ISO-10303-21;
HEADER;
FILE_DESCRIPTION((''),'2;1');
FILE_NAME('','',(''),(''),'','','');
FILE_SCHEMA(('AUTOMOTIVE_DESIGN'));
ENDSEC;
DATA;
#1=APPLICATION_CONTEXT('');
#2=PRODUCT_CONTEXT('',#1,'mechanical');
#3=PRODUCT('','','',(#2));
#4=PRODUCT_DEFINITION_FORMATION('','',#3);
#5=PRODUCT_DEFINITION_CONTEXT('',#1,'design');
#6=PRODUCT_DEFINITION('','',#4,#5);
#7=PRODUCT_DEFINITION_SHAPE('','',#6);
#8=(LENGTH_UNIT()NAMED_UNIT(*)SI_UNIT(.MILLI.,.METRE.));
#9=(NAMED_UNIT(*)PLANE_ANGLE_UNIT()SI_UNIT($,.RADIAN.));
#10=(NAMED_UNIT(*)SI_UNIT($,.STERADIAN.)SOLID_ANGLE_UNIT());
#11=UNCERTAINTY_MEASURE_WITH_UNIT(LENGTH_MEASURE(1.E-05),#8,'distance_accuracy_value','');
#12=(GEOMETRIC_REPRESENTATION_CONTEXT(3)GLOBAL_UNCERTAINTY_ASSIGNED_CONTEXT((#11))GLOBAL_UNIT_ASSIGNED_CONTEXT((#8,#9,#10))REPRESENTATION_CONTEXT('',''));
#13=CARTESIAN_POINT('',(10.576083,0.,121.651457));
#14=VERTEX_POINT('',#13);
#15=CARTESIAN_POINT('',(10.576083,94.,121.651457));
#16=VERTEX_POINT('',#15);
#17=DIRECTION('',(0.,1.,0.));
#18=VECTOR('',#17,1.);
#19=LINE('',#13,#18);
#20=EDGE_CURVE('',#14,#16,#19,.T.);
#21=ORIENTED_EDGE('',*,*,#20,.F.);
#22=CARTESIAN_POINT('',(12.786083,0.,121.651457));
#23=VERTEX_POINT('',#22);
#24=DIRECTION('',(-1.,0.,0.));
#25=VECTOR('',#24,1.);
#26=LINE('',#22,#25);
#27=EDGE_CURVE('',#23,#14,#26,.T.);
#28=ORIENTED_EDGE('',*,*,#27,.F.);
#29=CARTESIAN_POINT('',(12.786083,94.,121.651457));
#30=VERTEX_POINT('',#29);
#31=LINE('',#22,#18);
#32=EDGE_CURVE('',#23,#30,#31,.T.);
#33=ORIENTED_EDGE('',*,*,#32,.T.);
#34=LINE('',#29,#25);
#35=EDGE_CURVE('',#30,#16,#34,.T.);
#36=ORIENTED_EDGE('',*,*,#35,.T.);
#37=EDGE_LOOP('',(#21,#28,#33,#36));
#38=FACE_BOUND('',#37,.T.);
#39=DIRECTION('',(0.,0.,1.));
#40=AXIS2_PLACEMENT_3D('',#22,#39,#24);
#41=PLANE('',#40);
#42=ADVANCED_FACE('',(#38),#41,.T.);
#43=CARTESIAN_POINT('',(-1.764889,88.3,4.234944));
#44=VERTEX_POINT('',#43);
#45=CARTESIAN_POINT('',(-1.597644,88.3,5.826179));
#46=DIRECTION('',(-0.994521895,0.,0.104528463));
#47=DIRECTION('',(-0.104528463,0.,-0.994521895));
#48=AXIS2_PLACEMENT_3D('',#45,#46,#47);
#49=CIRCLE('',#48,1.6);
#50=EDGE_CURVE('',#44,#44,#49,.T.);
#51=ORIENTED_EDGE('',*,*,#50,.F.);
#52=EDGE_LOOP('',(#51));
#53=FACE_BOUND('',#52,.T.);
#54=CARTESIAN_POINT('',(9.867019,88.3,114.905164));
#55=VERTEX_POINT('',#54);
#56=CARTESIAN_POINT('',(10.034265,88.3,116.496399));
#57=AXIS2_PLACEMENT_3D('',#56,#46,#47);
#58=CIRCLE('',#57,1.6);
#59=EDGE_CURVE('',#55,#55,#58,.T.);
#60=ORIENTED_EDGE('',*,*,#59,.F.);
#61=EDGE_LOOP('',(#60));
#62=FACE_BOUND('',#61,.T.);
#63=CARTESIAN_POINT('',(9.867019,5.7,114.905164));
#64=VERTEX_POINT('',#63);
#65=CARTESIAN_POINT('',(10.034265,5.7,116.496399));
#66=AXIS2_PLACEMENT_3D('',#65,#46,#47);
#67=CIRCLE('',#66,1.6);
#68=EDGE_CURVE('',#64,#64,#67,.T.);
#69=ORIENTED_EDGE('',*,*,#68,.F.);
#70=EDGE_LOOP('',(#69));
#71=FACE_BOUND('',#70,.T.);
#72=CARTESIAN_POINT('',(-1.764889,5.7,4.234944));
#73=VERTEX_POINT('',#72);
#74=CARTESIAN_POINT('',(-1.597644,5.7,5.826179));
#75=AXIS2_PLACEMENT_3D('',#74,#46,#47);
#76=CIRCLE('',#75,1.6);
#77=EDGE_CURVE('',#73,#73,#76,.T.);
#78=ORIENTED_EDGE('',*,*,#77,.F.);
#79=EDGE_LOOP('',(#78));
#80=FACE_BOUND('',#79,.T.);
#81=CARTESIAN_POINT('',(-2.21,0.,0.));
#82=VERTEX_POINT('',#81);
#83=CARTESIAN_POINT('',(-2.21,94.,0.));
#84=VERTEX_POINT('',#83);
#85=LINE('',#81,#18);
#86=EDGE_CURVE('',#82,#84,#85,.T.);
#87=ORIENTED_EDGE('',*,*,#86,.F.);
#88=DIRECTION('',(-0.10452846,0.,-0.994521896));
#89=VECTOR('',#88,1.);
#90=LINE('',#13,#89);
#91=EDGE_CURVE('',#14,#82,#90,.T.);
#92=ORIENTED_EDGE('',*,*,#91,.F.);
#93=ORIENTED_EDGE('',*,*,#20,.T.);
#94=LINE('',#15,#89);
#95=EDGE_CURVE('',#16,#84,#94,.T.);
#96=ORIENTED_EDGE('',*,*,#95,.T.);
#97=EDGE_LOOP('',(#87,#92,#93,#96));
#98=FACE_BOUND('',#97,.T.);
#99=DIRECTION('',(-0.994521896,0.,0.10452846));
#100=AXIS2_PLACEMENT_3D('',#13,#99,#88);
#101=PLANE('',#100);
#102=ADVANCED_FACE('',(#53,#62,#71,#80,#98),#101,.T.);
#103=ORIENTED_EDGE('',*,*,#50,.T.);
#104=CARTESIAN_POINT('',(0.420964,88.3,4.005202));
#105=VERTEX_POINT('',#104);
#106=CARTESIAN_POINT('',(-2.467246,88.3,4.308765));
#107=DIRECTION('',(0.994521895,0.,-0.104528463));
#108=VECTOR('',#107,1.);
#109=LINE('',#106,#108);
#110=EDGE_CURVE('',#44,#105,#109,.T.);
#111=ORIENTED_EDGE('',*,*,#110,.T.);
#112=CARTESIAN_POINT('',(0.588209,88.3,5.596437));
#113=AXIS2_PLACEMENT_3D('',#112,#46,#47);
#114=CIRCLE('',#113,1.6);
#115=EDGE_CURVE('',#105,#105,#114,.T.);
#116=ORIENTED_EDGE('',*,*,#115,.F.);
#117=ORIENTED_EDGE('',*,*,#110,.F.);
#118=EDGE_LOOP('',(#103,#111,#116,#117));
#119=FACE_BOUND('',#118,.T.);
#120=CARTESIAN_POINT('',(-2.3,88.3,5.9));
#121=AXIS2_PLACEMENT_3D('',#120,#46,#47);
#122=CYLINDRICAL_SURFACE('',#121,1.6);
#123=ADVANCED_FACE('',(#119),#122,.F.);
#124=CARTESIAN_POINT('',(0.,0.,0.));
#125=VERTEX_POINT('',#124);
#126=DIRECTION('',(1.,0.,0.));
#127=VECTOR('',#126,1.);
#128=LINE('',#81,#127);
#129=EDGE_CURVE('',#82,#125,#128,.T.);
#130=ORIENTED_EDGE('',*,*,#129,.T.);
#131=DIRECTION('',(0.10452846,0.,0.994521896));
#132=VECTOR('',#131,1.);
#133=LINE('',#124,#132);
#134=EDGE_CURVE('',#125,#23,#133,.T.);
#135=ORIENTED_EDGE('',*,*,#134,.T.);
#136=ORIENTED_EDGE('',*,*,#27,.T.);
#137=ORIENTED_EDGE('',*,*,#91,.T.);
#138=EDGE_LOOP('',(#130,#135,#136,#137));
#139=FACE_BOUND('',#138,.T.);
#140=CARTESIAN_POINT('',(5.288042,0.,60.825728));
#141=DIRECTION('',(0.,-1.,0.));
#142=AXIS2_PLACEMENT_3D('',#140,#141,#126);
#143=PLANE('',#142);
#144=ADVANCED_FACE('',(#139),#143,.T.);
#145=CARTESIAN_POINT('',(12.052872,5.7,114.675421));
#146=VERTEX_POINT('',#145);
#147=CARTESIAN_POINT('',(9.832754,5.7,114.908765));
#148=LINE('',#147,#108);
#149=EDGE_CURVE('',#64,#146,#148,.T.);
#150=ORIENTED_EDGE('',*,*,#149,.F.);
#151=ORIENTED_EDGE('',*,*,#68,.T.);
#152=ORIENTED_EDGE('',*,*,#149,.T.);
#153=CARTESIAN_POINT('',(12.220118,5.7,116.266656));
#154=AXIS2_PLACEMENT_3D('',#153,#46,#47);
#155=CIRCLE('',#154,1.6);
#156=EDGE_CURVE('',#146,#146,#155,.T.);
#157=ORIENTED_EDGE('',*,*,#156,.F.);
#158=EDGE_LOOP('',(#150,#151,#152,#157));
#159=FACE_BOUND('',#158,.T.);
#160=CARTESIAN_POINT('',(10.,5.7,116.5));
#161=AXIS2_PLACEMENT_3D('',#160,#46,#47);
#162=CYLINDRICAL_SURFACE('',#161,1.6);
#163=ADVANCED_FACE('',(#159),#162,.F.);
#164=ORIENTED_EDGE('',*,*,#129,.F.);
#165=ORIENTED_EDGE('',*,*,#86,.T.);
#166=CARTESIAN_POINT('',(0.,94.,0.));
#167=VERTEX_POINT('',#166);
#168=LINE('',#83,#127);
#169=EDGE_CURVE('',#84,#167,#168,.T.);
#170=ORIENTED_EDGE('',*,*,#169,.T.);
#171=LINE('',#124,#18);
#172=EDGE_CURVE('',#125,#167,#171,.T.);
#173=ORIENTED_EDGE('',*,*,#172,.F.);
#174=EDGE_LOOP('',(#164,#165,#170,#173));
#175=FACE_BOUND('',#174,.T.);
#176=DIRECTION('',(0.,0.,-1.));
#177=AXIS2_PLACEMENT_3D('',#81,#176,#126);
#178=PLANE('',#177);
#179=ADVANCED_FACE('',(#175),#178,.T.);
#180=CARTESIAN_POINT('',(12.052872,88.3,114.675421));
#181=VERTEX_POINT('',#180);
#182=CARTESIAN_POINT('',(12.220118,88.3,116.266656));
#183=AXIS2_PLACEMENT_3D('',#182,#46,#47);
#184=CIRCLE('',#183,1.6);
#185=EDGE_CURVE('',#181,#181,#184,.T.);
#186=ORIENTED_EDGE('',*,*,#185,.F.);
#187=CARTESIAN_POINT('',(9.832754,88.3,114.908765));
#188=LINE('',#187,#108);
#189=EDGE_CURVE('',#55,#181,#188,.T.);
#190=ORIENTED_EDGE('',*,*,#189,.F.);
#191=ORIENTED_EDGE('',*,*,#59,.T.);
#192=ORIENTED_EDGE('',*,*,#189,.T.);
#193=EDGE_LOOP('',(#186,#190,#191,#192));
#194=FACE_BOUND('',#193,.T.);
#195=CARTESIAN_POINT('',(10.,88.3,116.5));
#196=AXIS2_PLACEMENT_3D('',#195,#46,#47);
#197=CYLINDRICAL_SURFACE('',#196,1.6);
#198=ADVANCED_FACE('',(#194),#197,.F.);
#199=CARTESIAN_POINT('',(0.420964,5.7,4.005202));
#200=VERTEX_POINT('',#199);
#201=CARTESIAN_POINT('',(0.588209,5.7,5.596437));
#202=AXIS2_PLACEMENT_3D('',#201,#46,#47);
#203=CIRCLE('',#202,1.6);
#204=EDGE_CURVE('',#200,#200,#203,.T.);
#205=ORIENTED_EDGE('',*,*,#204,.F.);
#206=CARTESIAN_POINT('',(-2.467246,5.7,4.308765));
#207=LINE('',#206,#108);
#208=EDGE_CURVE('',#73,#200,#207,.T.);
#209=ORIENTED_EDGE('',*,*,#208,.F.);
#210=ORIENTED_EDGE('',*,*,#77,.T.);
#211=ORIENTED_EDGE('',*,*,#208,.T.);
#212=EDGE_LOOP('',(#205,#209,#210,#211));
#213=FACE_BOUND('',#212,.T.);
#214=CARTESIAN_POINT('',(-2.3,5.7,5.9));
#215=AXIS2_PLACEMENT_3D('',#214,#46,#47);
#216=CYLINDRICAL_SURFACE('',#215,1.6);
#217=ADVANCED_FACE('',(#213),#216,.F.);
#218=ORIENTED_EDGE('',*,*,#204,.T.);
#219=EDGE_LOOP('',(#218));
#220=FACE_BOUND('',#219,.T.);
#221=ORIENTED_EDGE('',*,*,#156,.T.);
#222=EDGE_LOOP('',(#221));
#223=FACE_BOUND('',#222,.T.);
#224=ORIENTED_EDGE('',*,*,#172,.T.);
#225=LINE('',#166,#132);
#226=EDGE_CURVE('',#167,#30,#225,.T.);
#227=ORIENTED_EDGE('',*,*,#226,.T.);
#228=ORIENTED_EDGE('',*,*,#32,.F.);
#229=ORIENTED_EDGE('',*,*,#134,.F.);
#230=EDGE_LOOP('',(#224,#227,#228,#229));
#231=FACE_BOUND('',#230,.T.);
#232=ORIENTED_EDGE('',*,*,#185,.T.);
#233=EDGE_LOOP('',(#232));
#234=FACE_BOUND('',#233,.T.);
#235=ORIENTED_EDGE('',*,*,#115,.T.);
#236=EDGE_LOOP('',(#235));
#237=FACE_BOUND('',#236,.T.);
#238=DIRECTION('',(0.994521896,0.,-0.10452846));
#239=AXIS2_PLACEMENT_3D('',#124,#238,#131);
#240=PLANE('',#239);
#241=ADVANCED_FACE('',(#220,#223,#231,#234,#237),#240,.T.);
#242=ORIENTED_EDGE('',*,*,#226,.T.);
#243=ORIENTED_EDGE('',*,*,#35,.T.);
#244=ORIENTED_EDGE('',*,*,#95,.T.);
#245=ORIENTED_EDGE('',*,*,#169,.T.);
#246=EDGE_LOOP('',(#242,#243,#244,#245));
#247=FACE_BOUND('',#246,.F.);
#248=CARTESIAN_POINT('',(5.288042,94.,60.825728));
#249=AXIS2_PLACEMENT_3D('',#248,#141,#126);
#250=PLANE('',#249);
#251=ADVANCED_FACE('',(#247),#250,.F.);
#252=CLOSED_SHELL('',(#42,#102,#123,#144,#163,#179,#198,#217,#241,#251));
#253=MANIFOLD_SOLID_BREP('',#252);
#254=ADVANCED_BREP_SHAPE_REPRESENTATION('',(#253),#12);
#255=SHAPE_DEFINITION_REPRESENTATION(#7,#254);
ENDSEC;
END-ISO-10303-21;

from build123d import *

# Parameters (mm, degrees)
CYLINDER021_R               = 1.6
CYLINDER021_DEPTH           = 4
CYLINDER021_PLACEMENT_ANGLE = 96
CYLINDER022_R               = 1.6
CYLINDER022_DEPTH           = 4
CYLINDER022_PLACEMENT_ANGLE = 96
CYLINDER023_R               = 1.6
CYLINDER023_DEPTH           = 4
CYLINDER023_PLACEMENT_ANGLE = 96
CYLINDER020_R               = 1.6
CYLINDER020_DEPTH           = 4
CYLINDER020_PLACEMENT_ANGLE = 96
PAD_DEPTH                   = 94


with BuildPart() as loch2:
    # Cylinder021 → Cylinder021 (new body)
    with BuildSketch(Plane.XY):
        Circle(CYLINDER021_R)
    extrude(amount=CYLINDER021_DEPTH)


with BuildPart() as loch2_1:
    # Cylinder021 placement: moved
    add(loch2.part.moved(Location((10, 88.3, 116.5))).rotate(Axis((10, 88.3, 116.5), (0, 1, 0)), CYLINDER021_PLACEMENT_ANGLE))


with BuildPart() as loch3:
    # Cylinder022 → Cylinder022 (new body)
    with BuildSketch(Plane.XY):
        Circle(CYLINDER022_R)
    extrude(amount=CYLINDER022_DEPTH)


with BuildPart() as loch3_1:
    # Cylinder022 placement: moved
    add(loch3.part.moved(Location((-2.3, 88.3, 5.9))).rotate(Axis((-2.3, 88.3, 5.9), (0, 1, 0)), CYLINDER022_PLACEMENT_ANGLE))


with BuildPart() as loch4:
    # Cylinder023 → Cylinder023 (new body)
    with BuildSketch(Plane.XY):
        Circle(CYLINDER023_R)
    extrude(amount=CYLINDER023_DEPTH)


with BuildPart() as loch4_1:
    # Cylinder023 placement: moved
    add(loch4.part.moved(Location((10, 5.7, 116.5))).rotate(Axis((10, 5.7, 116.5), (0, 1, 0)), CYLINDER023_PLACEMENT_ANGLE))


with BuildPart() as l_cher:
    # Cylinder020 → Cylinder020 (new body)
    with BuildSketch(Plane.XY):
        Circle(CYLINDER020_R)
    extrude(amount=CYLINDER020_DEPTH)


with BuildPart() as l_cher_1:
    # Cylinder020 placement: moved
    add(l_cher.part.moved(Location((-2.3, 5.7, 5.9))).rotate(Axis((-2.3, 5.7, 5.9), (0, 1, 0)), CYLINDER020_PLACEMENT_ANGLE))

    # Fusion013: union Loch2, Loch3, Loch4
    add(loch2_1.part)
    add(loch3_1.part)
    add(loch4_1.part)


with BuildPart() as ad_deckel_loecher:
    # Sketch003 → Pad (new body)
    with BuildSketch(Plane.XZ):
        Polygon((0, 0), (12.786083, 121.651457), (10.576083, 121.651457), (-2.21, 0), align=None)
    extrude(amount=-PAD_DEPTH)

    # Cut028: cut Löcher
    add(l_cher_1.part, mode=Mode.SUBTRACT)


solid = ad_deckel_loecher.part
